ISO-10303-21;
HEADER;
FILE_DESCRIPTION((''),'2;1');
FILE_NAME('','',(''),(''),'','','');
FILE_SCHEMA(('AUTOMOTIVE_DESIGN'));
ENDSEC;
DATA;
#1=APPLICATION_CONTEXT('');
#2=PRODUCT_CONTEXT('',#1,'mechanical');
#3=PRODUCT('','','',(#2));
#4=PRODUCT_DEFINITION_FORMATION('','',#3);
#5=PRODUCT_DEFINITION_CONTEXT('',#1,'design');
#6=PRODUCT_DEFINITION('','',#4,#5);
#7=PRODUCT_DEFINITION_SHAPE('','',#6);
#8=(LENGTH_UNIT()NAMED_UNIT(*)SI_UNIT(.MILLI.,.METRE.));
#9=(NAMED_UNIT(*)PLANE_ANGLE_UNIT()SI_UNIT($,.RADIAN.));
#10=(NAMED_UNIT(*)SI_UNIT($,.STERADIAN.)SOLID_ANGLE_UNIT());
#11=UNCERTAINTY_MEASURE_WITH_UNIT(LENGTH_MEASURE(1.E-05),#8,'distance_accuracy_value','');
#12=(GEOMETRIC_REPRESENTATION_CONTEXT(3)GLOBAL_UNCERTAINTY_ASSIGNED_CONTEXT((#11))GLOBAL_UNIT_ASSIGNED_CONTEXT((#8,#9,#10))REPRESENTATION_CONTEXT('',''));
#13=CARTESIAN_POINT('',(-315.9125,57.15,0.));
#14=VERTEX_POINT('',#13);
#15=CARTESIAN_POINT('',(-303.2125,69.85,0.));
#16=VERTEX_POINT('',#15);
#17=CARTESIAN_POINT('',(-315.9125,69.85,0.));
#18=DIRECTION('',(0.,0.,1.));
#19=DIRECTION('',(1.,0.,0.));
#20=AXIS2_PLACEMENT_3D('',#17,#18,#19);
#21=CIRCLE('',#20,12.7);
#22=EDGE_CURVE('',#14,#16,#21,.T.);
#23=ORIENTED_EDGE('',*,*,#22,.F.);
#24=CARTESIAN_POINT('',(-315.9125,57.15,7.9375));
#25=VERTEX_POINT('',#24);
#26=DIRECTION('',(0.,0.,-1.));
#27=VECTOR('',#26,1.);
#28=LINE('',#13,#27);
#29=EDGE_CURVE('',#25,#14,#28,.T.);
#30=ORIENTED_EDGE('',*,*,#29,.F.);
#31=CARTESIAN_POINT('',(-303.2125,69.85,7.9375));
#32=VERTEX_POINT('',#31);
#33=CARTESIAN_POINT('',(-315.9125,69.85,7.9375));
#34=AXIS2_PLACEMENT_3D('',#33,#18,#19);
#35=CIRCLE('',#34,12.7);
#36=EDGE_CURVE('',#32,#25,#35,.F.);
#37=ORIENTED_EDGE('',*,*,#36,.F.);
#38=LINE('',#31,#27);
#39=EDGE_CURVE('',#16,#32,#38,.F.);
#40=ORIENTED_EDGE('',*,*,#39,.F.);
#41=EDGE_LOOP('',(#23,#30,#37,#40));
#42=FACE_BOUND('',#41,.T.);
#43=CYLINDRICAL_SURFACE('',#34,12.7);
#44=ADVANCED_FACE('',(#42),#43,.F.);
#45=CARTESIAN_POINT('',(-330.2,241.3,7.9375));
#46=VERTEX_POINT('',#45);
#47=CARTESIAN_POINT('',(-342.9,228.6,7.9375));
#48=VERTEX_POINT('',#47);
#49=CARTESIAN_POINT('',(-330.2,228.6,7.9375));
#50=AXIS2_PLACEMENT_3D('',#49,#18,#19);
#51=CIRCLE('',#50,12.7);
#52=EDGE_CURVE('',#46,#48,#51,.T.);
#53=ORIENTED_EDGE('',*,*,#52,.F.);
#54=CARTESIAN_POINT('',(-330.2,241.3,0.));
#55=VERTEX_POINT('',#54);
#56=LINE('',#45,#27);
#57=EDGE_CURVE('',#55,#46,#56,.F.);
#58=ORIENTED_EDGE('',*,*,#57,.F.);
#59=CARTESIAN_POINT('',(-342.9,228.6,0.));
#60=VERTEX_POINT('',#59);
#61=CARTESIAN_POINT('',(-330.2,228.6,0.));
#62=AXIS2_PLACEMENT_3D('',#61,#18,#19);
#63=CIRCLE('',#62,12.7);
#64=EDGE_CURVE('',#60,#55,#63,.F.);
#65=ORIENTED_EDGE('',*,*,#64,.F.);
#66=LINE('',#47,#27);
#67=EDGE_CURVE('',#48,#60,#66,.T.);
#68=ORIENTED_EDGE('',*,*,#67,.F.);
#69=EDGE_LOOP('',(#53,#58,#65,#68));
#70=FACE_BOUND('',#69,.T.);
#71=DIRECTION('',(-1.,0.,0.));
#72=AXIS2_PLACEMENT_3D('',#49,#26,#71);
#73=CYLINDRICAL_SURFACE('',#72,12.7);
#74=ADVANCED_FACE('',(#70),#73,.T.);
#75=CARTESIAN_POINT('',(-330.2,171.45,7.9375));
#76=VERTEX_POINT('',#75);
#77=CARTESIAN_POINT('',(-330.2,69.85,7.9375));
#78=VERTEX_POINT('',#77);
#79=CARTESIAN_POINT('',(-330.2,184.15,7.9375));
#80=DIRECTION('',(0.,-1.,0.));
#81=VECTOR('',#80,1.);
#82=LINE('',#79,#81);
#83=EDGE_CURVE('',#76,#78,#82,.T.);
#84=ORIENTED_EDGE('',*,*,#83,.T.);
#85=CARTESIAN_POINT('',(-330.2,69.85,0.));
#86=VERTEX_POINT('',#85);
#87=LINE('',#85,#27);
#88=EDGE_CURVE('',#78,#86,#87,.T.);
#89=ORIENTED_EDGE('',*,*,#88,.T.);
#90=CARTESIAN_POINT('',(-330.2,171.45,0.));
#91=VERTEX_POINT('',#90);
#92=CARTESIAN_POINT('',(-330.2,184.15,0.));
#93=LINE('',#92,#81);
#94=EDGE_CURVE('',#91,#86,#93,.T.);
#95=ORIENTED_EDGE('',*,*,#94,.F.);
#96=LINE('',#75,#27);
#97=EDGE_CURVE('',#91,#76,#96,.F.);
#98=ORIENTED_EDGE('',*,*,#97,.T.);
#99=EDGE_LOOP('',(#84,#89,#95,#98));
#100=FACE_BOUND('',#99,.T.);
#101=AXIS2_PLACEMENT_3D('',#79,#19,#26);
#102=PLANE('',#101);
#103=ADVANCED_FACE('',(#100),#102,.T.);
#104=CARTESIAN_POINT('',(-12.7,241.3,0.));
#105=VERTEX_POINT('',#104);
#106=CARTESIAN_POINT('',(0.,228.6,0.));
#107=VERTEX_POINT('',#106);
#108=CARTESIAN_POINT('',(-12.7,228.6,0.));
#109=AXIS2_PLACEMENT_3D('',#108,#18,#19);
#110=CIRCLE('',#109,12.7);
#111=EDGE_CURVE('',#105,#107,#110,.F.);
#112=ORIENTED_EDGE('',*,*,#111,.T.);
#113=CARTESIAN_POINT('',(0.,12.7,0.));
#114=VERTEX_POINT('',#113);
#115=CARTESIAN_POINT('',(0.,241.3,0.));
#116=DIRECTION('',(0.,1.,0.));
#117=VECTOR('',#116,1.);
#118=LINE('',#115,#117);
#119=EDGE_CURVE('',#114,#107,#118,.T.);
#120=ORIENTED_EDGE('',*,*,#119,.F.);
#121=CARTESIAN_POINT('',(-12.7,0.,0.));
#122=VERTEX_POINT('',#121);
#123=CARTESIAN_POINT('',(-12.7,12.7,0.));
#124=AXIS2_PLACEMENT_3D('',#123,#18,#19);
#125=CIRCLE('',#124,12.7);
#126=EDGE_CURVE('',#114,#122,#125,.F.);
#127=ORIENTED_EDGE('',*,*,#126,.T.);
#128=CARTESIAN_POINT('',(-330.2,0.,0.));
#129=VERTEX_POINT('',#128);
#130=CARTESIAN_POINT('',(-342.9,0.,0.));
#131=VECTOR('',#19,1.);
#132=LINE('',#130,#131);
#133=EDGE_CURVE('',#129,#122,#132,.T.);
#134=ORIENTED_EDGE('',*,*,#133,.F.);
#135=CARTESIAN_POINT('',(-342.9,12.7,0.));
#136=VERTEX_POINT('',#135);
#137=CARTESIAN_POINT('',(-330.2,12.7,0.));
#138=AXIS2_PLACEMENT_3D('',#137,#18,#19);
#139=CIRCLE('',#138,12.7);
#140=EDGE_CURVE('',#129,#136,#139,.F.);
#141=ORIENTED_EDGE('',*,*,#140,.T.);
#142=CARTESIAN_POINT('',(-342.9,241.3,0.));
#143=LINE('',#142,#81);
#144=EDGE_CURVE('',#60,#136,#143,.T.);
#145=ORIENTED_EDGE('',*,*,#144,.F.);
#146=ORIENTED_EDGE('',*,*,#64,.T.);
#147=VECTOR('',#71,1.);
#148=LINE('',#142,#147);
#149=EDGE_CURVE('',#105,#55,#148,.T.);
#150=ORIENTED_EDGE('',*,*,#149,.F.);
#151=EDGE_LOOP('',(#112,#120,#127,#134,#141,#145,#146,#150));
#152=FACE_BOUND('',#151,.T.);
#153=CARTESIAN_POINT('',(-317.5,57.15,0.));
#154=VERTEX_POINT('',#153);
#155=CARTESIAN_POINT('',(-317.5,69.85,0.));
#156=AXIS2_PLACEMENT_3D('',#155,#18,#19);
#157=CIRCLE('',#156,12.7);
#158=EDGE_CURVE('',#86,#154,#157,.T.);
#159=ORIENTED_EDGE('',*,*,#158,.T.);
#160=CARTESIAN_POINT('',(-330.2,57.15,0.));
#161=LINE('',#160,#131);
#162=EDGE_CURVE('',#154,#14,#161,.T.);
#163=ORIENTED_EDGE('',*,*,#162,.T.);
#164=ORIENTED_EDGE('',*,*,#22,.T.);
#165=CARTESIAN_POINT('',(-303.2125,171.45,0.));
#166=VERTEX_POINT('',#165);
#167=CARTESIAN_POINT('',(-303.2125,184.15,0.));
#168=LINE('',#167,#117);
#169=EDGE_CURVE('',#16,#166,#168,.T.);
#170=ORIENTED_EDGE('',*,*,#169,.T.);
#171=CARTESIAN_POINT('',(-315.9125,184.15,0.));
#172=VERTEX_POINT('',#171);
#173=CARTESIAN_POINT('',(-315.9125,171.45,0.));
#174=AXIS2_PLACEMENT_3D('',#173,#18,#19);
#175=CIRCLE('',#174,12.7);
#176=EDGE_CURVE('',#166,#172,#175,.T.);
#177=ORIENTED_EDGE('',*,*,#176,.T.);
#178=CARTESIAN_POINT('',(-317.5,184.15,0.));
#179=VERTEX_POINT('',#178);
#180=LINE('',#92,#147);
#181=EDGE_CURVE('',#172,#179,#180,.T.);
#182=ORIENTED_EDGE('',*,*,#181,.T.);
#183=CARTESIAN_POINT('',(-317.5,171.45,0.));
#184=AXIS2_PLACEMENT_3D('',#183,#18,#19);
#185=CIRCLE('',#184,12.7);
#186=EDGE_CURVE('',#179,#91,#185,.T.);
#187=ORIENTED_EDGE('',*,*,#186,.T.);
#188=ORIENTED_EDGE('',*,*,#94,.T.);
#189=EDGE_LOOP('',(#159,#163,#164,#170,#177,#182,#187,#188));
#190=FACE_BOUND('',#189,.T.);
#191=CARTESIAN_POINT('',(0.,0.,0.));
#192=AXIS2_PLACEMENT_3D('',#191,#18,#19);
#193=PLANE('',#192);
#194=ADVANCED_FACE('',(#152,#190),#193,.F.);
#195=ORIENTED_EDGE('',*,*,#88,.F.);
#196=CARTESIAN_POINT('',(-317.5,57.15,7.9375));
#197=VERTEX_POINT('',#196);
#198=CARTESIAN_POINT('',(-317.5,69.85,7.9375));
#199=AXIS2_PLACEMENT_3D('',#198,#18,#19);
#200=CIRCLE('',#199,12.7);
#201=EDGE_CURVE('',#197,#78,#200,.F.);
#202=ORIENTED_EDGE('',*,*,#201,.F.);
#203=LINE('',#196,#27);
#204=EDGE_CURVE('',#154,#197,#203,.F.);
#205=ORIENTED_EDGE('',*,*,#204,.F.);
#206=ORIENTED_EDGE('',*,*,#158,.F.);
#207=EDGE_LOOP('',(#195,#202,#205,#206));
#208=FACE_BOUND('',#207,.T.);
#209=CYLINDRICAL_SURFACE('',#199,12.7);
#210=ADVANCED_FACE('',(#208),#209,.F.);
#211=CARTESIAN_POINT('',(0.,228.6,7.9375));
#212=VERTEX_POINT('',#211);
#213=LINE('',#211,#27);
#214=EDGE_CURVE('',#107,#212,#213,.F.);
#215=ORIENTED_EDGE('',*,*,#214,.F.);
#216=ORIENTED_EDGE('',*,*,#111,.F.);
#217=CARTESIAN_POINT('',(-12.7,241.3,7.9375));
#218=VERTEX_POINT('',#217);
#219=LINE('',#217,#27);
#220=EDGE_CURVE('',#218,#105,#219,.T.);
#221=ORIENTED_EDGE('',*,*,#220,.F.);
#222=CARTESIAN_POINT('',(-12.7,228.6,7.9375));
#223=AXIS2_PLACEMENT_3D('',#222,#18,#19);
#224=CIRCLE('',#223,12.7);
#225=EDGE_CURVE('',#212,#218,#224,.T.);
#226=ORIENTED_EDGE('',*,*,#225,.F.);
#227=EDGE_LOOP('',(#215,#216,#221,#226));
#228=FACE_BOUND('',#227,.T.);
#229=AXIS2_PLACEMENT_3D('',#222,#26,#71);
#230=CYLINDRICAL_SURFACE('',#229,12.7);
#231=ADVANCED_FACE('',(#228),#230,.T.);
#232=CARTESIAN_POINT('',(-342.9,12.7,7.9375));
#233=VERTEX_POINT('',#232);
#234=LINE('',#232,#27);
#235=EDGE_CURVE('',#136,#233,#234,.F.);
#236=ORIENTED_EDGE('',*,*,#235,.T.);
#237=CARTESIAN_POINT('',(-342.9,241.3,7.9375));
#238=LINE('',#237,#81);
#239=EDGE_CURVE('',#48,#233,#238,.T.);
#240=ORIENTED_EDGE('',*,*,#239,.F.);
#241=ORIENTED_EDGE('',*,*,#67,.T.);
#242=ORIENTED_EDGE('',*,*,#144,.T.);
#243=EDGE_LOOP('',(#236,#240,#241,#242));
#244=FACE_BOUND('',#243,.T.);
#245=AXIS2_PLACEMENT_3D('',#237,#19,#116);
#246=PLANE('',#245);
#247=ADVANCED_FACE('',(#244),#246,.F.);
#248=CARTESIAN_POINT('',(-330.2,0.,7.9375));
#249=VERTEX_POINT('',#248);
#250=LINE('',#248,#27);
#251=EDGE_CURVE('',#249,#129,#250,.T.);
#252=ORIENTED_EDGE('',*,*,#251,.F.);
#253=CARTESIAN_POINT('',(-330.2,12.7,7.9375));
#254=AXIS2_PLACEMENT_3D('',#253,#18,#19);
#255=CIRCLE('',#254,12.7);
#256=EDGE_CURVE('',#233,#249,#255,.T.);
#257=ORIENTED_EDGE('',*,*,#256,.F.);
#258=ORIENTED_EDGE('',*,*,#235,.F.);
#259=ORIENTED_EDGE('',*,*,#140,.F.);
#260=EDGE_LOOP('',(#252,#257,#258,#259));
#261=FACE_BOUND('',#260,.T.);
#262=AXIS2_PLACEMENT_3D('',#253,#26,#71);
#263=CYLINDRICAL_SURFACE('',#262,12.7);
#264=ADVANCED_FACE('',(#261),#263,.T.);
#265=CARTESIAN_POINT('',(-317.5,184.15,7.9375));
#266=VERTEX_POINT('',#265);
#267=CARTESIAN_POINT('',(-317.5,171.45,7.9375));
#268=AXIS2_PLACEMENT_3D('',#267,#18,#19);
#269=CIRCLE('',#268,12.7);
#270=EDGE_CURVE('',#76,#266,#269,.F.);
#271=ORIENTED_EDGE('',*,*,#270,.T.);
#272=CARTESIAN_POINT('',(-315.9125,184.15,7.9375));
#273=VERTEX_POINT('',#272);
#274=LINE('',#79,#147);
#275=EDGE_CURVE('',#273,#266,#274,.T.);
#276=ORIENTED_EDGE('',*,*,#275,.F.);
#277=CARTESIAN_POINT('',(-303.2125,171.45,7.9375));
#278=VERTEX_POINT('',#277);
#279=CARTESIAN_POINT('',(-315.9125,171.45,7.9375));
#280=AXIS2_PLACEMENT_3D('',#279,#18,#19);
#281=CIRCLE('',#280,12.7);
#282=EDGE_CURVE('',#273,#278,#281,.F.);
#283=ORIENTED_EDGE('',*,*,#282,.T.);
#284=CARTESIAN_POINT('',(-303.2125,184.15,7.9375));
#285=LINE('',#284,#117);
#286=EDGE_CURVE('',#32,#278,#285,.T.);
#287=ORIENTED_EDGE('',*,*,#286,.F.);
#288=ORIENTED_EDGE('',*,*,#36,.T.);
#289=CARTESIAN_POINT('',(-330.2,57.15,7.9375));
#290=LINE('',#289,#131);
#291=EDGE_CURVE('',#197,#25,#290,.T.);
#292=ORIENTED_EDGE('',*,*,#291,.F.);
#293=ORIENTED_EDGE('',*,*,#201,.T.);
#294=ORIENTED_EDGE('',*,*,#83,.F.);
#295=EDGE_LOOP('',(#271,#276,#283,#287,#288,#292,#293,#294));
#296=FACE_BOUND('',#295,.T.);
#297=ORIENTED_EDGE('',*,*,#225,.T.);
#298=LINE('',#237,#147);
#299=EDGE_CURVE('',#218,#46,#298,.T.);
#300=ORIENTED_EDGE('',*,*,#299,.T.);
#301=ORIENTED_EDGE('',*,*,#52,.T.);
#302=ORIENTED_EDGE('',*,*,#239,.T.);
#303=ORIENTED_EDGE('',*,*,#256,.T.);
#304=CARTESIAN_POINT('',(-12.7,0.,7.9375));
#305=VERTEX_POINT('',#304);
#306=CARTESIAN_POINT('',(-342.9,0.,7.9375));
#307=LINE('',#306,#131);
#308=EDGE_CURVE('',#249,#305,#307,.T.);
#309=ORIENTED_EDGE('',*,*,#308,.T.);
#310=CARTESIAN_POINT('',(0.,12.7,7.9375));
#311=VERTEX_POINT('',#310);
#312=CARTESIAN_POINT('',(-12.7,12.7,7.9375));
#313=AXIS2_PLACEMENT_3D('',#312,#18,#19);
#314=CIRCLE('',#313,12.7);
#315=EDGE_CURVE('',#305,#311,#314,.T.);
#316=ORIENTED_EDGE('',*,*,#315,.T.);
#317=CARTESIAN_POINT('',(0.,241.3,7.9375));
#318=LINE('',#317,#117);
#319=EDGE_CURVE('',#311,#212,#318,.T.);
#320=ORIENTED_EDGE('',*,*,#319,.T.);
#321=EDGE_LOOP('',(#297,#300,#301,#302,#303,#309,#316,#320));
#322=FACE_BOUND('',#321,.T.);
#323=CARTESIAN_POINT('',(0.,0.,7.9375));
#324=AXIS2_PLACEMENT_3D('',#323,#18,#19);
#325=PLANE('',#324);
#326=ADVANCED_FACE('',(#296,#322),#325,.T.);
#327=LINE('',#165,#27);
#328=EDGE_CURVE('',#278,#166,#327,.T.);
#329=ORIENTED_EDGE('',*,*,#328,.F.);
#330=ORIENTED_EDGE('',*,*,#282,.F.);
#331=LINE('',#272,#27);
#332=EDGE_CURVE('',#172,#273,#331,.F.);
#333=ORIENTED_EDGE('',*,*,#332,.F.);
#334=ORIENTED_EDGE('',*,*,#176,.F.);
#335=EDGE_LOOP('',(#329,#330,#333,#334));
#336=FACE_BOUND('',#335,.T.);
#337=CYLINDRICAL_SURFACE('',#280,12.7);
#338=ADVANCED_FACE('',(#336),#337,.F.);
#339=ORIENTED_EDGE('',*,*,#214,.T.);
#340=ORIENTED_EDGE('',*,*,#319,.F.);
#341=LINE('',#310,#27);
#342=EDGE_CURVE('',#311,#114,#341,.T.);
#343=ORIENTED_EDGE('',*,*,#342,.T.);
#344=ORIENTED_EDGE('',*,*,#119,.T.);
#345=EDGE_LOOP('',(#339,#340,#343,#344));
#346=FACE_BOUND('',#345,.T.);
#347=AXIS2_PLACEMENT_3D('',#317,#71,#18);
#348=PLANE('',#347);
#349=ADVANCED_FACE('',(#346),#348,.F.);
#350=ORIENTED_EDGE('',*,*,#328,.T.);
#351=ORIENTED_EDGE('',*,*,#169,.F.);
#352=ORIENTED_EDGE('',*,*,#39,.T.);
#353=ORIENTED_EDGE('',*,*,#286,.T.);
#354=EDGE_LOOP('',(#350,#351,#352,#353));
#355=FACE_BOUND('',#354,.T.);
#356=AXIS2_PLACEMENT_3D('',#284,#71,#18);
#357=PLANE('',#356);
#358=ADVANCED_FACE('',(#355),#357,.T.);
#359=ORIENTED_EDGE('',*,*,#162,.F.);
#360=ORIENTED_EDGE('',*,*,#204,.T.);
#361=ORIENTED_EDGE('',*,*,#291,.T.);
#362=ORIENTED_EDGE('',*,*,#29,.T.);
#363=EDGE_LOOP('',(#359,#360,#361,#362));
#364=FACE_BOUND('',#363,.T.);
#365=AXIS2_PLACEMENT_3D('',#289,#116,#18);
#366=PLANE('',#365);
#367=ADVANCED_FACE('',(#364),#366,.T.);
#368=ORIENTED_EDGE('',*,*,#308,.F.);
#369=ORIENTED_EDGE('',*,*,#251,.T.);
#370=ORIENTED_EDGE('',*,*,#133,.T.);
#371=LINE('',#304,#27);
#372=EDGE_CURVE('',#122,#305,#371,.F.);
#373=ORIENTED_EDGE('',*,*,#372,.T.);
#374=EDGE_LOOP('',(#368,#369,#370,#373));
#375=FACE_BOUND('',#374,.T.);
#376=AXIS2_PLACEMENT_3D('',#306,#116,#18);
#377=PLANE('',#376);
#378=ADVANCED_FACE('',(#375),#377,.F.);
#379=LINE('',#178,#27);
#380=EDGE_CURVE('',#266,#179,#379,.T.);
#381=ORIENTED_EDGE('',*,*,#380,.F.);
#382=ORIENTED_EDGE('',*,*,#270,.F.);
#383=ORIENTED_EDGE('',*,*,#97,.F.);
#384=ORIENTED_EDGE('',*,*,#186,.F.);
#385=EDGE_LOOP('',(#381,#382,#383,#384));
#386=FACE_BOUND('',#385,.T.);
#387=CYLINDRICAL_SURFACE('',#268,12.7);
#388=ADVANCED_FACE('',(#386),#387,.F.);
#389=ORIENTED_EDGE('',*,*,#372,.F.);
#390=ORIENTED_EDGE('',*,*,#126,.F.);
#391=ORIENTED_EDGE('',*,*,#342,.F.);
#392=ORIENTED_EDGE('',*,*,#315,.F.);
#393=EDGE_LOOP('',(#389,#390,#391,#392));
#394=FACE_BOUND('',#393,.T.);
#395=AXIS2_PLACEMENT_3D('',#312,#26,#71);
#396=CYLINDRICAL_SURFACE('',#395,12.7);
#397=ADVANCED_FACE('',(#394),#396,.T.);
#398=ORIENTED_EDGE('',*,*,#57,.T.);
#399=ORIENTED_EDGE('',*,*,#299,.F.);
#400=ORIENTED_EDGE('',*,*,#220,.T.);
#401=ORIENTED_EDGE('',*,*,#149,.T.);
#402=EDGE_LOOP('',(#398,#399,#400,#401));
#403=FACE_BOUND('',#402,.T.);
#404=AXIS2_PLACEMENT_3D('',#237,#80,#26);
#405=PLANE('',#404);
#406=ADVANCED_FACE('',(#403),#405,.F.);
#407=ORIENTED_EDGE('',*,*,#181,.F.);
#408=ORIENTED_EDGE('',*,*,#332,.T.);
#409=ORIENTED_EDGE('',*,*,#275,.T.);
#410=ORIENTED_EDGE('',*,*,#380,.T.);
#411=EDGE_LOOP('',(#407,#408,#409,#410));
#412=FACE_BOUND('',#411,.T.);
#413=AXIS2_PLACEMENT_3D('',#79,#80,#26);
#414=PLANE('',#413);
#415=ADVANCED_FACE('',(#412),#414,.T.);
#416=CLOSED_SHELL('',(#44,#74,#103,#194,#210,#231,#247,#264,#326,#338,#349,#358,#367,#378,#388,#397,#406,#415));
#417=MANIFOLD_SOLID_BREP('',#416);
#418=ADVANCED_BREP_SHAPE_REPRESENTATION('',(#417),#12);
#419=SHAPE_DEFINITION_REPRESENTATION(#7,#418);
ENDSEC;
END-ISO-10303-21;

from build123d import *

# Parameters (mm, degrees)
SKETCH1_W           = 342.9
SKETCH1_H           = 241.3
SKETCH1_W_2         = 26.9875
SKETCH1_H_2         = 127
BOSS_EXTRUDE1_DEPTH = 7.9375
FILLET1_R           = 12.7


with BuildPart() as part:
    # Sketch1 → Boss-Extrude1 (new body)
    with BuildSketch(Plane.XY):
        with Locations((-171.45, 120.65)):
            Rectangle(SKETCH1_W, SKETCH1_H)
        with Locations((-316.70625, 120.65)):
            Rectangle(SKETCH1_W_2, SKETCH1_H_2, mode=Mode.SUBTRACT)
    extrude(amount=BOSS_EXTRUDE1_DEPTH)

    # Fillet1
    fillet1_edges = [part.edges().sort_by_distance(p)[0] for p in [
        (-330.2, 184.15, 3.96875),
        (-330.2, 57.15, 3.96875),
        (-303.2125, 57.15, 3.96875),
        (-303.2125, 184.15, 3.96875),
        (-342.9, 241.3, 3.96875),
        (0, 241.3, 3.96875),
        (0, 0, 3.96875),
        (-342.9, 0, 3.96875),
    ]]
    fillet(fillet1_edges, radius=FILLET1_R)


solid = part.part
